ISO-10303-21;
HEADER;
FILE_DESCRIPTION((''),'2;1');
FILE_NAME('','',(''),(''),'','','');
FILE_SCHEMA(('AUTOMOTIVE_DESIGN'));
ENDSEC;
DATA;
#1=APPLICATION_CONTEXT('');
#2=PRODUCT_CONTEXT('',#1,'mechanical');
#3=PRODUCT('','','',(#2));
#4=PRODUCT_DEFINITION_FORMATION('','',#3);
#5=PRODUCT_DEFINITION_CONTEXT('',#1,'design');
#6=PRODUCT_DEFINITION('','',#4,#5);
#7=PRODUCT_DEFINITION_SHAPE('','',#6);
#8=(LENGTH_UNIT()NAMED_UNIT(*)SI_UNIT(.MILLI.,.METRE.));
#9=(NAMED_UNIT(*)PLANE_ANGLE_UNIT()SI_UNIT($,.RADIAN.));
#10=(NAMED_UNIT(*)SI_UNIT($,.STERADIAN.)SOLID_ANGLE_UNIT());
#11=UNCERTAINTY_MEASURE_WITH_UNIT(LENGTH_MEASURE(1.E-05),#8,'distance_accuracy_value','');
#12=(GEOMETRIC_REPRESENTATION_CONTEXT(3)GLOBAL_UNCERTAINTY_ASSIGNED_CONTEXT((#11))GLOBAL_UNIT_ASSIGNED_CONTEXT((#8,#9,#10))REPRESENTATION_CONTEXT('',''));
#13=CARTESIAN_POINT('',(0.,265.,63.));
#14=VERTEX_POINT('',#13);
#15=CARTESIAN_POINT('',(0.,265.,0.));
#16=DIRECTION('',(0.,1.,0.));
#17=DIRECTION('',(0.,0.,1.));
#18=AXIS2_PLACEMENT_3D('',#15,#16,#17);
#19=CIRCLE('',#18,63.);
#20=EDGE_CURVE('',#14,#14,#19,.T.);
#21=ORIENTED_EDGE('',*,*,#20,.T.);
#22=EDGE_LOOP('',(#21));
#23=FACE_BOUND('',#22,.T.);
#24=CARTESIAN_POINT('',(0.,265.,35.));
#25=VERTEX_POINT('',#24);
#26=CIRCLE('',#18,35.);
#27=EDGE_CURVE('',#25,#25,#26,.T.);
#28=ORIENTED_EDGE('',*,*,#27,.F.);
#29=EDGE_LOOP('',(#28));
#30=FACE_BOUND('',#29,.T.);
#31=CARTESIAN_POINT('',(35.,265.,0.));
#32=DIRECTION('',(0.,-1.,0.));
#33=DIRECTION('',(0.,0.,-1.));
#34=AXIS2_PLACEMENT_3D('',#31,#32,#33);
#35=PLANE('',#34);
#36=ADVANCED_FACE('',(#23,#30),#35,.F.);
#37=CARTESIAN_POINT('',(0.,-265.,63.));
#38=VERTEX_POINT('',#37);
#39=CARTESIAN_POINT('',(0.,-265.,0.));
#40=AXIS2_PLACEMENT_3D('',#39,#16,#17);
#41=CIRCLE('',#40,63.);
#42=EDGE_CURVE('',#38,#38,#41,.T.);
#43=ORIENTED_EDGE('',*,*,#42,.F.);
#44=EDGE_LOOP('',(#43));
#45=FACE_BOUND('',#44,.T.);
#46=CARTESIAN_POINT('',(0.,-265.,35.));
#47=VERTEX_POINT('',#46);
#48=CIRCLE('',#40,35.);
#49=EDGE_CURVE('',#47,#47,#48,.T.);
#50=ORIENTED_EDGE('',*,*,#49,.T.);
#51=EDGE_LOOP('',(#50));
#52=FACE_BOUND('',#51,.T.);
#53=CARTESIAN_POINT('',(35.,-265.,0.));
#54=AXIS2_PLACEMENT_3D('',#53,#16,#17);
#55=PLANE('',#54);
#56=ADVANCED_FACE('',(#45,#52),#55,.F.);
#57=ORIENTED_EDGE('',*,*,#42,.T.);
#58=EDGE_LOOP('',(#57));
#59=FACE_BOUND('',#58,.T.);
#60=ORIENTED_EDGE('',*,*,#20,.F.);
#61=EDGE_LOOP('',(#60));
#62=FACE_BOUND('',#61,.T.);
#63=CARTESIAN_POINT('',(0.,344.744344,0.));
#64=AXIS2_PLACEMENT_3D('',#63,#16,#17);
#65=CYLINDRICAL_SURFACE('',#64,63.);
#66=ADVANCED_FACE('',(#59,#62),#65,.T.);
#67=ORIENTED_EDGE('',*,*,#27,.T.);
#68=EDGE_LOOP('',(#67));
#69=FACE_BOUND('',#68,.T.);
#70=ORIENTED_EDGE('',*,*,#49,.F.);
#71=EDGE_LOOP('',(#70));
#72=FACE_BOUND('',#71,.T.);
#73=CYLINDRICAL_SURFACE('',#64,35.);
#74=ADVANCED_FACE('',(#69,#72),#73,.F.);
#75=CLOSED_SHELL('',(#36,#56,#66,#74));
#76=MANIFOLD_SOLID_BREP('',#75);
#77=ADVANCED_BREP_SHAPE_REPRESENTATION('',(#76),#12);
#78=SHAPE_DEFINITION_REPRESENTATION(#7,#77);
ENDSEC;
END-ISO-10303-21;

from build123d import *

# Parameters (mm, degrees)
SZKIC1_W = 28
SZKIC1_H = 530


with BuildPart() as part:
    # Szkic1 → Obrót1 (revolve)
    with BuildSketch(Plane.XY, mode=Mode.PRIVATE) as obr_t1_sk:
        with Locations((49, 0)):
            Rectangle(SZKIC1_W, SZKIC1_H)
    revolve(obr_t1_sk.sketch.rotate(Axis((0, 344.744344029, 0), (0, -1, 0)), 90), axis=Axis((0, 344.744344029, 0), (0, -1, 0)))


solid = part.part
